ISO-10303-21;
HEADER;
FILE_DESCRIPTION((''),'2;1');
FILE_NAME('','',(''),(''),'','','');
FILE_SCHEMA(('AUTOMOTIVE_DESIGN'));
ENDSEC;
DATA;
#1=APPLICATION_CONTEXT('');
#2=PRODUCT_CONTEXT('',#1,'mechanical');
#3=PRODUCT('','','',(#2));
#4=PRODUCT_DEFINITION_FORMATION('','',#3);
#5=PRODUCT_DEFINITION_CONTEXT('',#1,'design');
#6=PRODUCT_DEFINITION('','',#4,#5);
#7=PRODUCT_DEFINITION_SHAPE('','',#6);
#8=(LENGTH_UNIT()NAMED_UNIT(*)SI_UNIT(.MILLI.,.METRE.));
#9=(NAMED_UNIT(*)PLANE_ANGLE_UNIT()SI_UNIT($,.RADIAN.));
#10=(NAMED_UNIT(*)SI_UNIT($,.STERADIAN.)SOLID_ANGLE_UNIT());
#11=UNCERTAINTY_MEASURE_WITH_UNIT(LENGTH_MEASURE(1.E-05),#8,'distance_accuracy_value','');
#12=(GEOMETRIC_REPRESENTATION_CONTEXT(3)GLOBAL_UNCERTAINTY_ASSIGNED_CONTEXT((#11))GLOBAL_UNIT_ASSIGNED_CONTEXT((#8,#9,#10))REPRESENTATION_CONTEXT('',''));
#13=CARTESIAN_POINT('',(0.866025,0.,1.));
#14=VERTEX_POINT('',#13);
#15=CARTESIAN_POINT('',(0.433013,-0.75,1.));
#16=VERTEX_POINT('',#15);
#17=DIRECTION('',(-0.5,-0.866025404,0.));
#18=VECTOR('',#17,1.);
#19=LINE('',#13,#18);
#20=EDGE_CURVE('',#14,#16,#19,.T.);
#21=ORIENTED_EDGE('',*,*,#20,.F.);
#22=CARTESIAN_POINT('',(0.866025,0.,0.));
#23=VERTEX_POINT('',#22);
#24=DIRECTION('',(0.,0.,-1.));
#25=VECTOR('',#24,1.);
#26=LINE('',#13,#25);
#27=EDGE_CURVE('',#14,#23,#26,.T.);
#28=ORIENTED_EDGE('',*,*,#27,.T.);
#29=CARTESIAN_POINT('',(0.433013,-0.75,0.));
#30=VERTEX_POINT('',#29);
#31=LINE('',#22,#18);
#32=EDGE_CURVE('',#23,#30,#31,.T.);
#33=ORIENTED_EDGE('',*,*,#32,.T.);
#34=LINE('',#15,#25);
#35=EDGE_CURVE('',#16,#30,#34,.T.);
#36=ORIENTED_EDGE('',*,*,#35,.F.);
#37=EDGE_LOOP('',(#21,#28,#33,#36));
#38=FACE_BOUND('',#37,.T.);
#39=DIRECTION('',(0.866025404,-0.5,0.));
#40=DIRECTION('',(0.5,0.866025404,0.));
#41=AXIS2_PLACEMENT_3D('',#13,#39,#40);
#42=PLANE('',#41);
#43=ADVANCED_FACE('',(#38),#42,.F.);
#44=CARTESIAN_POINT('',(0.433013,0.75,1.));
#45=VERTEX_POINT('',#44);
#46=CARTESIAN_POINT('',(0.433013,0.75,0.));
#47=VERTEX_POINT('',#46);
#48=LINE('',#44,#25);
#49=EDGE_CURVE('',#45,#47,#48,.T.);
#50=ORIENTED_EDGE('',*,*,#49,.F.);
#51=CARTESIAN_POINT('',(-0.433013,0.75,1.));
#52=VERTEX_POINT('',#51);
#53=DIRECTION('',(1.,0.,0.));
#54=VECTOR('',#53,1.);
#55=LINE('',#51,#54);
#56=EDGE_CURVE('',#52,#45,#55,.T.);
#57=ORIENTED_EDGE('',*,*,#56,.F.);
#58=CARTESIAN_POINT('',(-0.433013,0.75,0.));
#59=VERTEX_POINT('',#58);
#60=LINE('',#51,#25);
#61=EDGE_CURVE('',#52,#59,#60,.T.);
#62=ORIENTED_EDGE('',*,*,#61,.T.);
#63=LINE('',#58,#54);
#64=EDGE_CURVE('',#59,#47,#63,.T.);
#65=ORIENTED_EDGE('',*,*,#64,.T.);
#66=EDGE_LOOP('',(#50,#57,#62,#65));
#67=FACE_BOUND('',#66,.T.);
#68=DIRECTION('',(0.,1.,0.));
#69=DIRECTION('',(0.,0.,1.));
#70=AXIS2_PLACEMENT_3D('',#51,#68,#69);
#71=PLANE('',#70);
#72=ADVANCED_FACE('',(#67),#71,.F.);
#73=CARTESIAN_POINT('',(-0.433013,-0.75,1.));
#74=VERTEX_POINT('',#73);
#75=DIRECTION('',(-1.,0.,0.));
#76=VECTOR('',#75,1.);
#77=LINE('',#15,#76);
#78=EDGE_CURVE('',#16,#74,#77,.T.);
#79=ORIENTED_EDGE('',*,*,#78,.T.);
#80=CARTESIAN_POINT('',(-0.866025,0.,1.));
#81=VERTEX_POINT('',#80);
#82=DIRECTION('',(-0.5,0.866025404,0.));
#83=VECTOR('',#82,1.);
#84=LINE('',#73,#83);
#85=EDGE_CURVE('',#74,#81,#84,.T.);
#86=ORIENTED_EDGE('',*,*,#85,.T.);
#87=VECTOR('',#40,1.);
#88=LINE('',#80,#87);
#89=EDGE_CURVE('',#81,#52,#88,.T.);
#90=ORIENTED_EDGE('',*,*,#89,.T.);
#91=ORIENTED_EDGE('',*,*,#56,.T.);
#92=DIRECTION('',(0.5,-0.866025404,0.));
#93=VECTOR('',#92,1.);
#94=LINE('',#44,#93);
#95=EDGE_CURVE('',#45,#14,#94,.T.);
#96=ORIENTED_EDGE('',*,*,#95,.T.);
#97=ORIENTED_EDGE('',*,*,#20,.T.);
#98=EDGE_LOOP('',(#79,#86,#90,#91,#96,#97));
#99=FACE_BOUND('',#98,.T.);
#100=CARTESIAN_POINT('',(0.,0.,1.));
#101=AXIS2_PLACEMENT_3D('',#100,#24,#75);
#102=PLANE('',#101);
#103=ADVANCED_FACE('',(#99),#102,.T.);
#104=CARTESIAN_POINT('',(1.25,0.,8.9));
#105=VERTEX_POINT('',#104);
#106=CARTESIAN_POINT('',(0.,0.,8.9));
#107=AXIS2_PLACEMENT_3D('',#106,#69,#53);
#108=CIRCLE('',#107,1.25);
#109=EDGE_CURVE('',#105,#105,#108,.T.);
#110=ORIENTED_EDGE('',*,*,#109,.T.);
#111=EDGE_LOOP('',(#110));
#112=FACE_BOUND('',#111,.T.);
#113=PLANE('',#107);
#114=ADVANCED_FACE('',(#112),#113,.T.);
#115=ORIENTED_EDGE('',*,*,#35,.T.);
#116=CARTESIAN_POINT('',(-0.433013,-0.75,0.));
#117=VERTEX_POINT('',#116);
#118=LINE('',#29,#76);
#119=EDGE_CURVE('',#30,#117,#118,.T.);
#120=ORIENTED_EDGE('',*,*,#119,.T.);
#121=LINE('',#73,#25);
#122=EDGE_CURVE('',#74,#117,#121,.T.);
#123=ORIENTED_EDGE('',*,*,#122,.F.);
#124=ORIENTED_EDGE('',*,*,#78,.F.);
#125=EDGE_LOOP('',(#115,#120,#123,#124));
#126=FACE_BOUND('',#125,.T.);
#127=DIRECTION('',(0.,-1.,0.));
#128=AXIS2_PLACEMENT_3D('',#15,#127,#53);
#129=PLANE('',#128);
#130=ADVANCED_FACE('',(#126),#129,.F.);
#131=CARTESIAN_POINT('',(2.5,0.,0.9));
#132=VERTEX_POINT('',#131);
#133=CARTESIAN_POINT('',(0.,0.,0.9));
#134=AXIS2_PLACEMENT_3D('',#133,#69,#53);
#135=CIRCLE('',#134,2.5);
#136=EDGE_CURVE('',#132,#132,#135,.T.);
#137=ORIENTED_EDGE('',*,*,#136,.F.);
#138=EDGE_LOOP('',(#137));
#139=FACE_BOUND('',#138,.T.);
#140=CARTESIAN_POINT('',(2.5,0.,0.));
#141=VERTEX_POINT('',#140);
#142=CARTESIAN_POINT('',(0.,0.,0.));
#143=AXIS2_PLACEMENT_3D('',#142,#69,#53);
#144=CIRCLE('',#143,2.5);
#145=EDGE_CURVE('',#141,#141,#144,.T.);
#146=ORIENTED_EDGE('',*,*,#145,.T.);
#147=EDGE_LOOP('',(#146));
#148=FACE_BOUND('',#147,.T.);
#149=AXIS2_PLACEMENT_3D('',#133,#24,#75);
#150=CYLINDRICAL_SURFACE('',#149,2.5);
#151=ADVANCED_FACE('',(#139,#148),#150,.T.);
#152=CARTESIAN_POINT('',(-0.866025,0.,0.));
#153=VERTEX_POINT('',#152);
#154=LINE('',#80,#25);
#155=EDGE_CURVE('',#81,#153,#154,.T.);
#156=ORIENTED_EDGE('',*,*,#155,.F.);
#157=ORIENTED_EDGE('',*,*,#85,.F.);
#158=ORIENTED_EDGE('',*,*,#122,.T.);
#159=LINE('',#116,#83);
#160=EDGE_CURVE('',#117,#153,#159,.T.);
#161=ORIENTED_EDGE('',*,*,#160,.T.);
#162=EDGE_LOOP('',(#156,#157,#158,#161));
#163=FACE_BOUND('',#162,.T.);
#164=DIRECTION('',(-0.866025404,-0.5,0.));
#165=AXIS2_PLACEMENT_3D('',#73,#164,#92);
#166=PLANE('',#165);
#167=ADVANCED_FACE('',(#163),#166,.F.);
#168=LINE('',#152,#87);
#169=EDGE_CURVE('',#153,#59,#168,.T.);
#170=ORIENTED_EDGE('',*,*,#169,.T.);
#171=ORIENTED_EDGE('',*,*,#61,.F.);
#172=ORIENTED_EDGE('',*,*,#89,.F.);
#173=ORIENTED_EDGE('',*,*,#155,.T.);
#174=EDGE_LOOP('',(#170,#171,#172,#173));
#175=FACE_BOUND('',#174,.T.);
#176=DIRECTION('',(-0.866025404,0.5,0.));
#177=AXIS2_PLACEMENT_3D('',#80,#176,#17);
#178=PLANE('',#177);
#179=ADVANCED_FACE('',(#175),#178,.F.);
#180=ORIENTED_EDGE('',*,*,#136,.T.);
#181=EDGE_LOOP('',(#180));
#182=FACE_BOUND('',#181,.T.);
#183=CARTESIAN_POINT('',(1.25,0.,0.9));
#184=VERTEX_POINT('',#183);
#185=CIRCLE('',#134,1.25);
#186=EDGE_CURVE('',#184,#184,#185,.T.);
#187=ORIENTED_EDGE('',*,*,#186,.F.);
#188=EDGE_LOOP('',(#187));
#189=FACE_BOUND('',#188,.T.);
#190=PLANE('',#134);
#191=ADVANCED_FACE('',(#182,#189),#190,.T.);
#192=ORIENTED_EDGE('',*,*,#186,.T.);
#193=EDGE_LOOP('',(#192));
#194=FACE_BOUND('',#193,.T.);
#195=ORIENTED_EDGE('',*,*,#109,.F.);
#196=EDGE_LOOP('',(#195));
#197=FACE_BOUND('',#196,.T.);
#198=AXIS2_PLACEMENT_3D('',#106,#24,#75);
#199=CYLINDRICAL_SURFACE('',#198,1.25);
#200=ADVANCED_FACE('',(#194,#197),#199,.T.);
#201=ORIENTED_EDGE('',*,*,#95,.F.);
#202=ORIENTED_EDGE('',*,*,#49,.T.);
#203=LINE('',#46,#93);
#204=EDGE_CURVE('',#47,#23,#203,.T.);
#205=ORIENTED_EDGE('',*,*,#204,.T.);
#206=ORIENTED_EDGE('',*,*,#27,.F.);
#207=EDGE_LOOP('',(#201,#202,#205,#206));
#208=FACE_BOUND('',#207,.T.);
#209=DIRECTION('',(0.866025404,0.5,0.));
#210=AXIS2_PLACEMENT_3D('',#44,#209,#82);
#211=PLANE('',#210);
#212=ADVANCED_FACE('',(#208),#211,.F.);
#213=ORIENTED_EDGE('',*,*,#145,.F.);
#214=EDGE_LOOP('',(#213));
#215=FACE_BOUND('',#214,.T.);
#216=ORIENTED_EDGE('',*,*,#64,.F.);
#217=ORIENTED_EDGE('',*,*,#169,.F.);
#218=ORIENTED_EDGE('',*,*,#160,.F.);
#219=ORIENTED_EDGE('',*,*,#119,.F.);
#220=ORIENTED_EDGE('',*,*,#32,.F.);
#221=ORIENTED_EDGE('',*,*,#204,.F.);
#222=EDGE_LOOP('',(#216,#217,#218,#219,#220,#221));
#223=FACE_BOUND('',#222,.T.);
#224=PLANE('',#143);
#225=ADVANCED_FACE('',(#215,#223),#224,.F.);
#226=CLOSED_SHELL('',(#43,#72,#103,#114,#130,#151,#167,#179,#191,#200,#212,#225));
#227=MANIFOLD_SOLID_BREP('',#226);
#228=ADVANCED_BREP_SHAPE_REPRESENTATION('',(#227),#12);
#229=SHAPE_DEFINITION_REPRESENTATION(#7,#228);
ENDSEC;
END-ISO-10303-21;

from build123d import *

# Parameters (mm, degrees)
SKETCH_1_R          = 2.5
EXTRUDE_1_DEPTH     = 0.9
SKETCH_2_R          = 1.25
EXTRUDE_2_DEPTH     = 8
CUT_EXTRUDE_1_DEPTH = 1


with BuildPart() as part:
    # 草图1 → 凸台-拉伸1 (new body)
    with BuildSketch(Plane.XY):
        Circle(SKETCH_1_R)
    extrude(amount=EXTRUDE_1_DEPTH)

    # 草图2 → 凸台-拉伸2 (add)
    with BuildSketch(Plane.XY.offset(0.9)):
        Circle(SKETCH_2_R)
    extrude(amount=EXTRUDE_2_DEPTH)

    # 草图3 → 切除-拉伸1 (cut)
    with BuildSketch(Plane(origin=(0, 0, 0), x_dir=(-1, 0, 0), z_dir=(0, 0, -1))):
        Polygon((0.866025404, 0), (0.433012702, 0.75), (-0.433012702, 0.75), (-0.866025404, 0), (-0.433012702, -0.75), (0.433012702, -0.75), align=None)
    extrude(amount=-CUT_EXTRUDE_1_DEPTH, mode=Mode.SUBTRACT)


solid = part.part
